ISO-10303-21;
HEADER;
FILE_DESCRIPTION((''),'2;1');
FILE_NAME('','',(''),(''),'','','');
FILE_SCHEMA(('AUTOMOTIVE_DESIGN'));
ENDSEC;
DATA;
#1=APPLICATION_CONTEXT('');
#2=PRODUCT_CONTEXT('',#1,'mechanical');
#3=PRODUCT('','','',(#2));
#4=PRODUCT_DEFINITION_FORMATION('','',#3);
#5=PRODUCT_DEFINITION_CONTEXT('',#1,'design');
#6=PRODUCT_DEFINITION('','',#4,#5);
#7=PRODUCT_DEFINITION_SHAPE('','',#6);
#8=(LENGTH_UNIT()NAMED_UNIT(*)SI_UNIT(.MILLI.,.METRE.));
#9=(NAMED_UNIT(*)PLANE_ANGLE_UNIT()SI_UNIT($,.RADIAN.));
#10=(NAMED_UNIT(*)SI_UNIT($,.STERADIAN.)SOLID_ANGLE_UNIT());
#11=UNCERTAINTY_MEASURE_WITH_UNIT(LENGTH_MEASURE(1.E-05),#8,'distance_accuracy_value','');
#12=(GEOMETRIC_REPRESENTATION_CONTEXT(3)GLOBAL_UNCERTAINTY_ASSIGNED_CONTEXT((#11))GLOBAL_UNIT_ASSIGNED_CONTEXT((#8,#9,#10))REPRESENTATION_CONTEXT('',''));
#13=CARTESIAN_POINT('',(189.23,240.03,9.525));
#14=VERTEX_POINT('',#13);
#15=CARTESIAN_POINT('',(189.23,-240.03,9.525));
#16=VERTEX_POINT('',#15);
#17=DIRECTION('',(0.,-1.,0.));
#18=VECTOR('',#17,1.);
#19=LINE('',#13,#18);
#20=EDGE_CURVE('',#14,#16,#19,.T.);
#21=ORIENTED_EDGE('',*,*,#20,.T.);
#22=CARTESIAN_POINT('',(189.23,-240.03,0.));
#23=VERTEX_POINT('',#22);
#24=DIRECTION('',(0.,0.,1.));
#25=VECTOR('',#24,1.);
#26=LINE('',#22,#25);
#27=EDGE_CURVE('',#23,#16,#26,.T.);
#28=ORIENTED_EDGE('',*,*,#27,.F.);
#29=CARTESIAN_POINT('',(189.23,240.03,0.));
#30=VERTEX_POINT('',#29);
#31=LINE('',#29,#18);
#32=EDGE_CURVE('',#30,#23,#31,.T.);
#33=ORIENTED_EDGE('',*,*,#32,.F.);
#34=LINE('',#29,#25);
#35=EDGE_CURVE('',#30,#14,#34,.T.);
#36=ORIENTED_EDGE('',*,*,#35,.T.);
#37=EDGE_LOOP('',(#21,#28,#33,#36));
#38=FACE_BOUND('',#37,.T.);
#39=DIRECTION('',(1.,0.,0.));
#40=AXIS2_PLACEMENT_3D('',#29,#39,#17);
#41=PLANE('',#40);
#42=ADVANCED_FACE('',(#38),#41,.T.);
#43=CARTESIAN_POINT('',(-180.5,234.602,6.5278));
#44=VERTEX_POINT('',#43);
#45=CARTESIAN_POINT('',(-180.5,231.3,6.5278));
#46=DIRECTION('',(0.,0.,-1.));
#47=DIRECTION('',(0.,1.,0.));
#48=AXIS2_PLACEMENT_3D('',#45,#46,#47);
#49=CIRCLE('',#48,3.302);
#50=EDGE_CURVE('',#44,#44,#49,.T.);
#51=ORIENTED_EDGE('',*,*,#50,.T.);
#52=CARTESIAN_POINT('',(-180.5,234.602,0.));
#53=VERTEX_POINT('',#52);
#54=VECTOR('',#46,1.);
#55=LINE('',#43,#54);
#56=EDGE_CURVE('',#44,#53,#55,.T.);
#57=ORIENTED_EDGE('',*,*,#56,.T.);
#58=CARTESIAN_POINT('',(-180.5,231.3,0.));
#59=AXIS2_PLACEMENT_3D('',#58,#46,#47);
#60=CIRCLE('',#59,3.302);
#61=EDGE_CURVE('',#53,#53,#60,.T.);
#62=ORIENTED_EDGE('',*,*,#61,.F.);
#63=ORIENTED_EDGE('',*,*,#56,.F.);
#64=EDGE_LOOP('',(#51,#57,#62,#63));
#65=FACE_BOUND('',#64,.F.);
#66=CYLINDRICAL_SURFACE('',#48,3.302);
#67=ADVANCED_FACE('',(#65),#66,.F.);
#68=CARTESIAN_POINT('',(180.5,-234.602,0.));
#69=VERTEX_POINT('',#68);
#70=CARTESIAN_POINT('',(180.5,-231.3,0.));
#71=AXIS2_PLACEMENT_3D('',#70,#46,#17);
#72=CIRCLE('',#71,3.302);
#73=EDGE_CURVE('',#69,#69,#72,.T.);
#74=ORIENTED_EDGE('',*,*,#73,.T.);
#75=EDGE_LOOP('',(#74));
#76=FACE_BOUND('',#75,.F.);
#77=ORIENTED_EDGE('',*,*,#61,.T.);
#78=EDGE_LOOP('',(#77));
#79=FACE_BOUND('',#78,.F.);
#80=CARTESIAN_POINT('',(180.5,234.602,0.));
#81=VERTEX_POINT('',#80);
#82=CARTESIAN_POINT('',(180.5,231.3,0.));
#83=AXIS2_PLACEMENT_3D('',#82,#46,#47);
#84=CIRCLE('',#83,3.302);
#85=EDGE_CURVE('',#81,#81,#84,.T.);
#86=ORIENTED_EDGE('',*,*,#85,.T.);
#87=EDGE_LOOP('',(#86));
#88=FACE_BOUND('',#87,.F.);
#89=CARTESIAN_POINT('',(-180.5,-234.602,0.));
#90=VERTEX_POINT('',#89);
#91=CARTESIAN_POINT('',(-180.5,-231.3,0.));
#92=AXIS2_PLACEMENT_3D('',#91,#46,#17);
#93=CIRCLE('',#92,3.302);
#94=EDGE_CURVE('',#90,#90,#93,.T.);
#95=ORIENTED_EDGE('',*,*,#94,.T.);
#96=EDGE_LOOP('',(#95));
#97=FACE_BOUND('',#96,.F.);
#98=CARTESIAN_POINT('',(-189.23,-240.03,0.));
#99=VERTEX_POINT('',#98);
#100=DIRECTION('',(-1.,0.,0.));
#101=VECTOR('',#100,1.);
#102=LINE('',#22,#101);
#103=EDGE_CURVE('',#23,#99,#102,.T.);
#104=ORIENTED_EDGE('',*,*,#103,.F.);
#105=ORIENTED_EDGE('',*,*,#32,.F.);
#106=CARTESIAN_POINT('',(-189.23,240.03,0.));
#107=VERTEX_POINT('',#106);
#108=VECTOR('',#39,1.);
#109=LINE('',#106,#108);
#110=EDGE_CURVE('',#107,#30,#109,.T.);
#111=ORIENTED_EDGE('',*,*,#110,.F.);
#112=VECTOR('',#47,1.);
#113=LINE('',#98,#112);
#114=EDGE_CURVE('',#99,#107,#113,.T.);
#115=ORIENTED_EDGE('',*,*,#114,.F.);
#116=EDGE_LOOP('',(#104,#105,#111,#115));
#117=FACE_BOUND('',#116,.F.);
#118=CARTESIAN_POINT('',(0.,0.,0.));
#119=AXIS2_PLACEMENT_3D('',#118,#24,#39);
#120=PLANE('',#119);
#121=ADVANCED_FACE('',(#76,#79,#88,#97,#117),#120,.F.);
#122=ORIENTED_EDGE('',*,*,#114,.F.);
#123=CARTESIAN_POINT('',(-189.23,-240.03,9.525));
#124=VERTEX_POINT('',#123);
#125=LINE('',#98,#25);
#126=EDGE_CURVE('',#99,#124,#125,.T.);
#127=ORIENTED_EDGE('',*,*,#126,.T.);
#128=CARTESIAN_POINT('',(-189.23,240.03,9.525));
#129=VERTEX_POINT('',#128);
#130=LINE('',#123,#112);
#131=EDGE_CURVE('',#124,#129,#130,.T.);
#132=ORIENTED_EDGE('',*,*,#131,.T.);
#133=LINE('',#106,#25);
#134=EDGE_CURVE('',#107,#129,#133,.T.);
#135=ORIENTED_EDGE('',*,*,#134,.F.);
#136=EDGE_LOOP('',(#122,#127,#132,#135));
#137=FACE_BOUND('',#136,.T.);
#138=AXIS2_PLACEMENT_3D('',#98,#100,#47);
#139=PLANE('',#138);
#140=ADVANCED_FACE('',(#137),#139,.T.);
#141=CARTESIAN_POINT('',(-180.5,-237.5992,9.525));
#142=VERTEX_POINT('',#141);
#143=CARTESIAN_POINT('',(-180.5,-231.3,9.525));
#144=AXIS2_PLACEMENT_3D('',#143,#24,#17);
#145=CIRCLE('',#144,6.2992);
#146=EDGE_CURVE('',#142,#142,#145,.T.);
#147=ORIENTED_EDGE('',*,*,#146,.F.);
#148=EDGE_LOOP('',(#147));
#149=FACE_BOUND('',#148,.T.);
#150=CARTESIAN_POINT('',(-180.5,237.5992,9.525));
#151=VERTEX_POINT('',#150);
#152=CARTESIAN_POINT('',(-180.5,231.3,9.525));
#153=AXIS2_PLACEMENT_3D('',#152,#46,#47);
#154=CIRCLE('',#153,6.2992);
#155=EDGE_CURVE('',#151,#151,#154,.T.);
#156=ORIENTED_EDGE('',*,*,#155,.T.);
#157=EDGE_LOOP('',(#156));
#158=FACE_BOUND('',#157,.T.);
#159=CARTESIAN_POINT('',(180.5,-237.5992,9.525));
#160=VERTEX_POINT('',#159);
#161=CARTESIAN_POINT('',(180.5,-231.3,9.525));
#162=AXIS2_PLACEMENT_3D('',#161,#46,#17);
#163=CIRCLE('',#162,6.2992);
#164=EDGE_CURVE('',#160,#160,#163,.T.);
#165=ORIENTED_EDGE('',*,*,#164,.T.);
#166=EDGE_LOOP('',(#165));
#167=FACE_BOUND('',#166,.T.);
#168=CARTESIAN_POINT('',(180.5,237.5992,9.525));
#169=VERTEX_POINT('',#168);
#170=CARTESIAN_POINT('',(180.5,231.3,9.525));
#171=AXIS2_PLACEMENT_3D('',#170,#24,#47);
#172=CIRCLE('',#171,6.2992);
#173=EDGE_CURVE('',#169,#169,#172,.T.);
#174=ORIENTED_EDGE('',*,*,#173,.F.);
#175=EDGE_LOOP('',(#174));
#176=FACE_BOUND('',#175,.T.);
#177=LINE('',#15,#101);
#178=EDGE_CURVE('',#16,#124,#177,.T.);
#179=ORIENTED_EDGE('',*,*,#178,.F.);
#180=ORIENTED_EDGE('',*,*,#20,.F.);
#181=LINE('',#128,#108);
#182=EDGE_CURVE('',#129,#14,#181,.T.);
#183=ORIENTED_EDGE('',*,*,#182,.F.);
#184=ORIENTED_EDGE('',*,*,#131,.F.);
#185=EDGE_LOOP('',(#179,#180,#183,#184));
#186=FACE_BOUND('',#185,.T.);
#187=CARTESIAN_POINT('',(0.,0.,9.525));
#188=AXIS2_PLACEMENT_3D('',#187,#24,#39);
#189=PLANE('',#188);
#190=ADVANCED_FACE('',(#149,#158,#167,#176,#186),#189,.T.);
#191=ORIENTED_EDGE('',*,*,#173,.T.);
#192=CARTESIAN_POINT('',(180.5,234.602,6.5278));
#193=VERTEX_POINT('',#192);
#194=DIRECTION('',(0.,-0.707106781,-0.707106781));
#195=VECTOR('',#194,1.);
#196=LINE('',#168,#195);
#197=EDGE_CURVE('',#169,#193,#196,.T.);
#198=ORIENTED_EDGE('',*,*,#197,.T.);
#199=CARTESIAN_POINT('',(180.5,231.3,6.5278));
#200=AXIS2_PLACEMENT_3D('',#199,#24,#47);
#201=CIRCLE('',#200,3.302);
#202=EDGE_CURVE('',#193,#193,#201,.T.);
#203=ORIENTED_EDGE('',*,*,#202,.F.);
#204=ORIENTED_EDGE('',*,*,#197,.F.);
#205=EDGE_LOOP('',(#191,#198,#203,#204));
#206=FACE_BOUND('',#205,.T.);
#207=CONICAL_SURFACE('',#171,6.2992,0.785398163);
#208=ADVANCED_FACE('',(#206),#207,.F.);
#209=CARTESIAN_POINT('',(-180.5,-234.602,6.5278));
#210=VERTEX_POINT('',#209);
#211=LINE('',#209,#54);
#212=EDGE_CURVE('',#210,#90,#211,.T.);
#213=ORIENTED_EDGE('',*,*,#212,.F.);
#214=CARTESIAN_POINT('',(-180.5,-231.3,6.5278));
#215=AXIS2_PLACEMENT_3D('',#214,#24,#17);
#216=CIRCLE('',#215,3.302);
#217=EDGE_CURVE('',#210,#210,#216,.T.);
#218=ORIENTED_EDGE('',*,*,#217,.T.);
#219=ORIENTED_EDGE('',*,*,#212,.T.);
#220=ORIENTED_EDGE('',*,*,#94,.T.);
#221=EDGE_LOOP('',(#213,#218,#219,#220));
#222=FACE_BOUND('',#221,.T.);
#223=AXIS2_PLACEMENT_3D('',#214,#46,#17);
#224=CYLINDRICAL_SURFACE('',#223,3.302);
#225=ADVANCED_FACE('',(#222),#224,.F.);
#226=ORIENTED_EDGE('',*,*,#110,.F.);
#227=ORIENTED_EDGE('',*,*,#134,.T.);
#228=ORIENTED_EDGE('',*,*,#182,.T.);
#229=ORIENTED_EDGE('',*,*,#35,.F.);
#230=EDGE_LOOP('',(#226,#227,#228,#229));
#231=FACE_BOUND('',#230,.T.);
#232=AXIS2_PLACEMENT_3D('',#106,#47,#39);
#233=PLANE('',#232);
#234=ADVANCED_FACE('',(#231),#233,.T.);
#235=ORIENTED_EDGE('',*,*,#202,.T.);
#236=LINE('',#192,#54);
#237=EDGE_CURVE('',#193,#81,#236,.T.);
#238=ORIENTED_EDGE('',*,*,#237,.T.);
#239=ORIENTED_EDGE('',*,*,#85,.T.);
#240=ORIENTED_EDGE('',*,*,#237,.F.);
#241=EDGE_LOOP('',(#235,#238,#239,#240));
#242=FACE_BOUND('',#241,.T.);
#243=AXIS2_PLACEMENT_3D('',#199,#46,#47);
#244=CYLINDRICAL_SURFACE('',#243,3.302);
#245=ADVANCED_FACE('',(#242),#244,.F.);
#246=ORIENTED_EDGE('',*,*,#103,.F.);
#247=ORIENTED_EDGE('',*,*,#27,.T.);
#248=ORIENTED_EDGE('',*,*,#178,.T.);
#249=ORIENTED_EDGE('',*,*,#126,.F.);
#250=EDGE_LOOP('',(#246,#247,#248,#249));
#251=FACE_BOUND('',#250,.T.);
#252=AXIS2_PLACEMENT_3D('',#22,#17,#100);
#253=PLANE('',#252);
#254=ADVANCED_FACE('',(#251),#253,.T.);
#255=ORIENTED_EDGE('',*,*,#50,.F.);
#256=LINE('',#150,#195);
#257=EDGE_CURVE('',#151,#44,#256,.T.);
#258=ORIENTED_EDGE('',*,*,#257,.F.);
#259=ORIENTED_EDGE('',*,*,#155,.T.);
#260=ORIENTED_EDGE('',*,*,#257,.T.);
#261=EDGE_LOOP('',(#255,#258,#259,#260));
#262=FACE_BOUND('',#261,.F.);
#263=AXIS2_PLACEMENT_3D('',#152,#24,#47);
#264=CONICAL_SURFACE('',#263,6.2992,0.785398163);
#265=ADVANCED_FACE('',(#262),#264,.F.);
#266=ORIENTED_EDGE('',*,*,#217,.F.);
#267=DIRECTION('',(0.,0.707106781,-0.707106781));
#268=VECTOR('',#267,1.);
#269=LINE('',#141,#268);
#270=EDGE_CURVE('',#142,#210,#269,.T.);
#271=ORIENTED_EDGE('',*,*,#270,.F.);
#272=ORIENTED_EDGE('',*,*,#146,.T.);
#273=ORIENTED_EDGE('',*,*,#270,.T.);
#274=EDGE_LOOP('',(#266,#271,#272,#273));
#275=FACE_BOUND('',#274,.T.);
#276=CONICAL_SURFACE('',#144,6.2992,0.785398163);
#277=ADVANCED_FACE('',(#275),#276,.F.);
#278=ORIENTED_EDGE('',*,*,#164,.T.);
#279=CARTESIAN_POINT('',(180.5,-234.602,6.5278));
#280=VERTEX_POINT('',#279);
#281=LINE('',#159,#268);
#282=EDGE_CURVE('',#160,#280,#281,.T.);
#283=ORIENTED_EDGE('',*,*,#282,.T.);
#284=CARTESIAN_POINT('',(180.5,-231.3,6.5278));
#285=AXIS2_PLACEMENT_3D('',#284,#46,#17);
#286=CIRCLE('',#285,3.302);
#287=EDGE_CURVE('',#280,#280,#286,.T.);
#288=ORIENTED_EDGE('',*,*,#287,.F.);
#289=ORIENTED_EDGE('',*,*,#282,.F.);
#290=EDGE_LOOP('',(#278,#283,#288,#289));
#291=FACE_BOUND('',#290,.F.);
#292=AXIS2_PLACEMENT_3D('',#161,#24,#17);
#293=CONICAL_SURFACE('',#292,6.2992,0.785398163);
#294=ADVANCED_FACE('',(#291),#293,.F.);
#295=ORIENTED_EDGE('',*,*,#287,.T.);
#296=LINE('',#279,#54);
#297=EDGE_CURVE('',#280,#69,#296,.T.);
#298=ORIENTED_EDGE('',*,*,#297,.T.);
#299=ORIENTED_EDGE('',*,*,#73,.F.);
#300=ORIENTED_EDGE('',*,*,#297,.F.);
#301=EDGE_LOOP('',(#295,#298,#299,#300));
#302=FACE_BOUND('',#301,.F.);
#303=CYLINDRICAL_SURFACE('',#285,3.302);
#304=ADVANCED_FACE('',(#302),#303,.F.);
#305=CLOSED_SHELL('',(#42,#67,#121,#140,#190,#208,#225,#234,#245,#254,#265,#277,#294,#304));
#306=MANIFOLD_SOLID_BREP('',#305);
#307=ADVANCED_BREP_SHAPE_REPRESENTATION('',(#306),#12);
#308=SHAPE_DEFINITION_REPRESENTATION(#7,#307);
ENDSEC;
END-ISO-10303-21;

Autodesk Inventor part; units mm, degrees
ref_plane "YZ Plane" through (0, 0, 0) normal (1, 0, 0) x (0, 1, 0)
ref_plane "XZ Plane" through (0, 0, 0) normal (0, 1, 0) x (-1, 0, 0)
ref_plane "XY Plane" through (0, 0, 0) normal (0, 0, 1) x (1, 0, 0)
sketch "Sketch1" plane through (0, 0, 0) normal (0, 0, 1) x (1, 0, 0)
  line L0 (-189.23, 240.03) -> (189.23, 240.03)
  line L1 (189.23, 240.03) -> (189.23, -240.03)
  line L2 (189.23, -240.03) -> (-189.23, -240.03)
  line L3 (-189.23, -240.03) -> (-189.23, 240.03)
  point P0 (0, 0)
  point P1 (-189.23, 0)
  point P2 (0, 240.03)
  dimension "d0" = 378.46
  dimension "d1" = 480.06
extrude "Extrusion1" add sketch "Sketch1" along normal blind 9.525
sketch "Sketch2" plane through (0, 0, 9.525) normal (0, 0, 1) x (1, 0, 0)
  line L0 (189.23, -240.03) -> (-189.23, -240.03) projected
  line L1 (189.23, 240.03) -> (189.23, -240.03) projected
  point P0 (180.5, -231.3)
  dimension "d4" = 8.73
  dimension "d5" = 8.73
hole "Hole1" at (180.5, -231.3, 9.525) direction (0, 0, -1) diameter 6.604 end through all countersink diameter 12.5984 countersink angle 90 clearance for "Flat Head Machine Screw" size "M6" standard "Ansi Metric M Profile"
mirror "Mirror1" about plane through (0, 0, 0) normal (0, 1, 0) of "Hole1"
mirror "Mirror2" about plane through (0, 0, 0) normal (1, 0, 0) of "Hole1", "Mirror1"
properties part number "M178-2005"
